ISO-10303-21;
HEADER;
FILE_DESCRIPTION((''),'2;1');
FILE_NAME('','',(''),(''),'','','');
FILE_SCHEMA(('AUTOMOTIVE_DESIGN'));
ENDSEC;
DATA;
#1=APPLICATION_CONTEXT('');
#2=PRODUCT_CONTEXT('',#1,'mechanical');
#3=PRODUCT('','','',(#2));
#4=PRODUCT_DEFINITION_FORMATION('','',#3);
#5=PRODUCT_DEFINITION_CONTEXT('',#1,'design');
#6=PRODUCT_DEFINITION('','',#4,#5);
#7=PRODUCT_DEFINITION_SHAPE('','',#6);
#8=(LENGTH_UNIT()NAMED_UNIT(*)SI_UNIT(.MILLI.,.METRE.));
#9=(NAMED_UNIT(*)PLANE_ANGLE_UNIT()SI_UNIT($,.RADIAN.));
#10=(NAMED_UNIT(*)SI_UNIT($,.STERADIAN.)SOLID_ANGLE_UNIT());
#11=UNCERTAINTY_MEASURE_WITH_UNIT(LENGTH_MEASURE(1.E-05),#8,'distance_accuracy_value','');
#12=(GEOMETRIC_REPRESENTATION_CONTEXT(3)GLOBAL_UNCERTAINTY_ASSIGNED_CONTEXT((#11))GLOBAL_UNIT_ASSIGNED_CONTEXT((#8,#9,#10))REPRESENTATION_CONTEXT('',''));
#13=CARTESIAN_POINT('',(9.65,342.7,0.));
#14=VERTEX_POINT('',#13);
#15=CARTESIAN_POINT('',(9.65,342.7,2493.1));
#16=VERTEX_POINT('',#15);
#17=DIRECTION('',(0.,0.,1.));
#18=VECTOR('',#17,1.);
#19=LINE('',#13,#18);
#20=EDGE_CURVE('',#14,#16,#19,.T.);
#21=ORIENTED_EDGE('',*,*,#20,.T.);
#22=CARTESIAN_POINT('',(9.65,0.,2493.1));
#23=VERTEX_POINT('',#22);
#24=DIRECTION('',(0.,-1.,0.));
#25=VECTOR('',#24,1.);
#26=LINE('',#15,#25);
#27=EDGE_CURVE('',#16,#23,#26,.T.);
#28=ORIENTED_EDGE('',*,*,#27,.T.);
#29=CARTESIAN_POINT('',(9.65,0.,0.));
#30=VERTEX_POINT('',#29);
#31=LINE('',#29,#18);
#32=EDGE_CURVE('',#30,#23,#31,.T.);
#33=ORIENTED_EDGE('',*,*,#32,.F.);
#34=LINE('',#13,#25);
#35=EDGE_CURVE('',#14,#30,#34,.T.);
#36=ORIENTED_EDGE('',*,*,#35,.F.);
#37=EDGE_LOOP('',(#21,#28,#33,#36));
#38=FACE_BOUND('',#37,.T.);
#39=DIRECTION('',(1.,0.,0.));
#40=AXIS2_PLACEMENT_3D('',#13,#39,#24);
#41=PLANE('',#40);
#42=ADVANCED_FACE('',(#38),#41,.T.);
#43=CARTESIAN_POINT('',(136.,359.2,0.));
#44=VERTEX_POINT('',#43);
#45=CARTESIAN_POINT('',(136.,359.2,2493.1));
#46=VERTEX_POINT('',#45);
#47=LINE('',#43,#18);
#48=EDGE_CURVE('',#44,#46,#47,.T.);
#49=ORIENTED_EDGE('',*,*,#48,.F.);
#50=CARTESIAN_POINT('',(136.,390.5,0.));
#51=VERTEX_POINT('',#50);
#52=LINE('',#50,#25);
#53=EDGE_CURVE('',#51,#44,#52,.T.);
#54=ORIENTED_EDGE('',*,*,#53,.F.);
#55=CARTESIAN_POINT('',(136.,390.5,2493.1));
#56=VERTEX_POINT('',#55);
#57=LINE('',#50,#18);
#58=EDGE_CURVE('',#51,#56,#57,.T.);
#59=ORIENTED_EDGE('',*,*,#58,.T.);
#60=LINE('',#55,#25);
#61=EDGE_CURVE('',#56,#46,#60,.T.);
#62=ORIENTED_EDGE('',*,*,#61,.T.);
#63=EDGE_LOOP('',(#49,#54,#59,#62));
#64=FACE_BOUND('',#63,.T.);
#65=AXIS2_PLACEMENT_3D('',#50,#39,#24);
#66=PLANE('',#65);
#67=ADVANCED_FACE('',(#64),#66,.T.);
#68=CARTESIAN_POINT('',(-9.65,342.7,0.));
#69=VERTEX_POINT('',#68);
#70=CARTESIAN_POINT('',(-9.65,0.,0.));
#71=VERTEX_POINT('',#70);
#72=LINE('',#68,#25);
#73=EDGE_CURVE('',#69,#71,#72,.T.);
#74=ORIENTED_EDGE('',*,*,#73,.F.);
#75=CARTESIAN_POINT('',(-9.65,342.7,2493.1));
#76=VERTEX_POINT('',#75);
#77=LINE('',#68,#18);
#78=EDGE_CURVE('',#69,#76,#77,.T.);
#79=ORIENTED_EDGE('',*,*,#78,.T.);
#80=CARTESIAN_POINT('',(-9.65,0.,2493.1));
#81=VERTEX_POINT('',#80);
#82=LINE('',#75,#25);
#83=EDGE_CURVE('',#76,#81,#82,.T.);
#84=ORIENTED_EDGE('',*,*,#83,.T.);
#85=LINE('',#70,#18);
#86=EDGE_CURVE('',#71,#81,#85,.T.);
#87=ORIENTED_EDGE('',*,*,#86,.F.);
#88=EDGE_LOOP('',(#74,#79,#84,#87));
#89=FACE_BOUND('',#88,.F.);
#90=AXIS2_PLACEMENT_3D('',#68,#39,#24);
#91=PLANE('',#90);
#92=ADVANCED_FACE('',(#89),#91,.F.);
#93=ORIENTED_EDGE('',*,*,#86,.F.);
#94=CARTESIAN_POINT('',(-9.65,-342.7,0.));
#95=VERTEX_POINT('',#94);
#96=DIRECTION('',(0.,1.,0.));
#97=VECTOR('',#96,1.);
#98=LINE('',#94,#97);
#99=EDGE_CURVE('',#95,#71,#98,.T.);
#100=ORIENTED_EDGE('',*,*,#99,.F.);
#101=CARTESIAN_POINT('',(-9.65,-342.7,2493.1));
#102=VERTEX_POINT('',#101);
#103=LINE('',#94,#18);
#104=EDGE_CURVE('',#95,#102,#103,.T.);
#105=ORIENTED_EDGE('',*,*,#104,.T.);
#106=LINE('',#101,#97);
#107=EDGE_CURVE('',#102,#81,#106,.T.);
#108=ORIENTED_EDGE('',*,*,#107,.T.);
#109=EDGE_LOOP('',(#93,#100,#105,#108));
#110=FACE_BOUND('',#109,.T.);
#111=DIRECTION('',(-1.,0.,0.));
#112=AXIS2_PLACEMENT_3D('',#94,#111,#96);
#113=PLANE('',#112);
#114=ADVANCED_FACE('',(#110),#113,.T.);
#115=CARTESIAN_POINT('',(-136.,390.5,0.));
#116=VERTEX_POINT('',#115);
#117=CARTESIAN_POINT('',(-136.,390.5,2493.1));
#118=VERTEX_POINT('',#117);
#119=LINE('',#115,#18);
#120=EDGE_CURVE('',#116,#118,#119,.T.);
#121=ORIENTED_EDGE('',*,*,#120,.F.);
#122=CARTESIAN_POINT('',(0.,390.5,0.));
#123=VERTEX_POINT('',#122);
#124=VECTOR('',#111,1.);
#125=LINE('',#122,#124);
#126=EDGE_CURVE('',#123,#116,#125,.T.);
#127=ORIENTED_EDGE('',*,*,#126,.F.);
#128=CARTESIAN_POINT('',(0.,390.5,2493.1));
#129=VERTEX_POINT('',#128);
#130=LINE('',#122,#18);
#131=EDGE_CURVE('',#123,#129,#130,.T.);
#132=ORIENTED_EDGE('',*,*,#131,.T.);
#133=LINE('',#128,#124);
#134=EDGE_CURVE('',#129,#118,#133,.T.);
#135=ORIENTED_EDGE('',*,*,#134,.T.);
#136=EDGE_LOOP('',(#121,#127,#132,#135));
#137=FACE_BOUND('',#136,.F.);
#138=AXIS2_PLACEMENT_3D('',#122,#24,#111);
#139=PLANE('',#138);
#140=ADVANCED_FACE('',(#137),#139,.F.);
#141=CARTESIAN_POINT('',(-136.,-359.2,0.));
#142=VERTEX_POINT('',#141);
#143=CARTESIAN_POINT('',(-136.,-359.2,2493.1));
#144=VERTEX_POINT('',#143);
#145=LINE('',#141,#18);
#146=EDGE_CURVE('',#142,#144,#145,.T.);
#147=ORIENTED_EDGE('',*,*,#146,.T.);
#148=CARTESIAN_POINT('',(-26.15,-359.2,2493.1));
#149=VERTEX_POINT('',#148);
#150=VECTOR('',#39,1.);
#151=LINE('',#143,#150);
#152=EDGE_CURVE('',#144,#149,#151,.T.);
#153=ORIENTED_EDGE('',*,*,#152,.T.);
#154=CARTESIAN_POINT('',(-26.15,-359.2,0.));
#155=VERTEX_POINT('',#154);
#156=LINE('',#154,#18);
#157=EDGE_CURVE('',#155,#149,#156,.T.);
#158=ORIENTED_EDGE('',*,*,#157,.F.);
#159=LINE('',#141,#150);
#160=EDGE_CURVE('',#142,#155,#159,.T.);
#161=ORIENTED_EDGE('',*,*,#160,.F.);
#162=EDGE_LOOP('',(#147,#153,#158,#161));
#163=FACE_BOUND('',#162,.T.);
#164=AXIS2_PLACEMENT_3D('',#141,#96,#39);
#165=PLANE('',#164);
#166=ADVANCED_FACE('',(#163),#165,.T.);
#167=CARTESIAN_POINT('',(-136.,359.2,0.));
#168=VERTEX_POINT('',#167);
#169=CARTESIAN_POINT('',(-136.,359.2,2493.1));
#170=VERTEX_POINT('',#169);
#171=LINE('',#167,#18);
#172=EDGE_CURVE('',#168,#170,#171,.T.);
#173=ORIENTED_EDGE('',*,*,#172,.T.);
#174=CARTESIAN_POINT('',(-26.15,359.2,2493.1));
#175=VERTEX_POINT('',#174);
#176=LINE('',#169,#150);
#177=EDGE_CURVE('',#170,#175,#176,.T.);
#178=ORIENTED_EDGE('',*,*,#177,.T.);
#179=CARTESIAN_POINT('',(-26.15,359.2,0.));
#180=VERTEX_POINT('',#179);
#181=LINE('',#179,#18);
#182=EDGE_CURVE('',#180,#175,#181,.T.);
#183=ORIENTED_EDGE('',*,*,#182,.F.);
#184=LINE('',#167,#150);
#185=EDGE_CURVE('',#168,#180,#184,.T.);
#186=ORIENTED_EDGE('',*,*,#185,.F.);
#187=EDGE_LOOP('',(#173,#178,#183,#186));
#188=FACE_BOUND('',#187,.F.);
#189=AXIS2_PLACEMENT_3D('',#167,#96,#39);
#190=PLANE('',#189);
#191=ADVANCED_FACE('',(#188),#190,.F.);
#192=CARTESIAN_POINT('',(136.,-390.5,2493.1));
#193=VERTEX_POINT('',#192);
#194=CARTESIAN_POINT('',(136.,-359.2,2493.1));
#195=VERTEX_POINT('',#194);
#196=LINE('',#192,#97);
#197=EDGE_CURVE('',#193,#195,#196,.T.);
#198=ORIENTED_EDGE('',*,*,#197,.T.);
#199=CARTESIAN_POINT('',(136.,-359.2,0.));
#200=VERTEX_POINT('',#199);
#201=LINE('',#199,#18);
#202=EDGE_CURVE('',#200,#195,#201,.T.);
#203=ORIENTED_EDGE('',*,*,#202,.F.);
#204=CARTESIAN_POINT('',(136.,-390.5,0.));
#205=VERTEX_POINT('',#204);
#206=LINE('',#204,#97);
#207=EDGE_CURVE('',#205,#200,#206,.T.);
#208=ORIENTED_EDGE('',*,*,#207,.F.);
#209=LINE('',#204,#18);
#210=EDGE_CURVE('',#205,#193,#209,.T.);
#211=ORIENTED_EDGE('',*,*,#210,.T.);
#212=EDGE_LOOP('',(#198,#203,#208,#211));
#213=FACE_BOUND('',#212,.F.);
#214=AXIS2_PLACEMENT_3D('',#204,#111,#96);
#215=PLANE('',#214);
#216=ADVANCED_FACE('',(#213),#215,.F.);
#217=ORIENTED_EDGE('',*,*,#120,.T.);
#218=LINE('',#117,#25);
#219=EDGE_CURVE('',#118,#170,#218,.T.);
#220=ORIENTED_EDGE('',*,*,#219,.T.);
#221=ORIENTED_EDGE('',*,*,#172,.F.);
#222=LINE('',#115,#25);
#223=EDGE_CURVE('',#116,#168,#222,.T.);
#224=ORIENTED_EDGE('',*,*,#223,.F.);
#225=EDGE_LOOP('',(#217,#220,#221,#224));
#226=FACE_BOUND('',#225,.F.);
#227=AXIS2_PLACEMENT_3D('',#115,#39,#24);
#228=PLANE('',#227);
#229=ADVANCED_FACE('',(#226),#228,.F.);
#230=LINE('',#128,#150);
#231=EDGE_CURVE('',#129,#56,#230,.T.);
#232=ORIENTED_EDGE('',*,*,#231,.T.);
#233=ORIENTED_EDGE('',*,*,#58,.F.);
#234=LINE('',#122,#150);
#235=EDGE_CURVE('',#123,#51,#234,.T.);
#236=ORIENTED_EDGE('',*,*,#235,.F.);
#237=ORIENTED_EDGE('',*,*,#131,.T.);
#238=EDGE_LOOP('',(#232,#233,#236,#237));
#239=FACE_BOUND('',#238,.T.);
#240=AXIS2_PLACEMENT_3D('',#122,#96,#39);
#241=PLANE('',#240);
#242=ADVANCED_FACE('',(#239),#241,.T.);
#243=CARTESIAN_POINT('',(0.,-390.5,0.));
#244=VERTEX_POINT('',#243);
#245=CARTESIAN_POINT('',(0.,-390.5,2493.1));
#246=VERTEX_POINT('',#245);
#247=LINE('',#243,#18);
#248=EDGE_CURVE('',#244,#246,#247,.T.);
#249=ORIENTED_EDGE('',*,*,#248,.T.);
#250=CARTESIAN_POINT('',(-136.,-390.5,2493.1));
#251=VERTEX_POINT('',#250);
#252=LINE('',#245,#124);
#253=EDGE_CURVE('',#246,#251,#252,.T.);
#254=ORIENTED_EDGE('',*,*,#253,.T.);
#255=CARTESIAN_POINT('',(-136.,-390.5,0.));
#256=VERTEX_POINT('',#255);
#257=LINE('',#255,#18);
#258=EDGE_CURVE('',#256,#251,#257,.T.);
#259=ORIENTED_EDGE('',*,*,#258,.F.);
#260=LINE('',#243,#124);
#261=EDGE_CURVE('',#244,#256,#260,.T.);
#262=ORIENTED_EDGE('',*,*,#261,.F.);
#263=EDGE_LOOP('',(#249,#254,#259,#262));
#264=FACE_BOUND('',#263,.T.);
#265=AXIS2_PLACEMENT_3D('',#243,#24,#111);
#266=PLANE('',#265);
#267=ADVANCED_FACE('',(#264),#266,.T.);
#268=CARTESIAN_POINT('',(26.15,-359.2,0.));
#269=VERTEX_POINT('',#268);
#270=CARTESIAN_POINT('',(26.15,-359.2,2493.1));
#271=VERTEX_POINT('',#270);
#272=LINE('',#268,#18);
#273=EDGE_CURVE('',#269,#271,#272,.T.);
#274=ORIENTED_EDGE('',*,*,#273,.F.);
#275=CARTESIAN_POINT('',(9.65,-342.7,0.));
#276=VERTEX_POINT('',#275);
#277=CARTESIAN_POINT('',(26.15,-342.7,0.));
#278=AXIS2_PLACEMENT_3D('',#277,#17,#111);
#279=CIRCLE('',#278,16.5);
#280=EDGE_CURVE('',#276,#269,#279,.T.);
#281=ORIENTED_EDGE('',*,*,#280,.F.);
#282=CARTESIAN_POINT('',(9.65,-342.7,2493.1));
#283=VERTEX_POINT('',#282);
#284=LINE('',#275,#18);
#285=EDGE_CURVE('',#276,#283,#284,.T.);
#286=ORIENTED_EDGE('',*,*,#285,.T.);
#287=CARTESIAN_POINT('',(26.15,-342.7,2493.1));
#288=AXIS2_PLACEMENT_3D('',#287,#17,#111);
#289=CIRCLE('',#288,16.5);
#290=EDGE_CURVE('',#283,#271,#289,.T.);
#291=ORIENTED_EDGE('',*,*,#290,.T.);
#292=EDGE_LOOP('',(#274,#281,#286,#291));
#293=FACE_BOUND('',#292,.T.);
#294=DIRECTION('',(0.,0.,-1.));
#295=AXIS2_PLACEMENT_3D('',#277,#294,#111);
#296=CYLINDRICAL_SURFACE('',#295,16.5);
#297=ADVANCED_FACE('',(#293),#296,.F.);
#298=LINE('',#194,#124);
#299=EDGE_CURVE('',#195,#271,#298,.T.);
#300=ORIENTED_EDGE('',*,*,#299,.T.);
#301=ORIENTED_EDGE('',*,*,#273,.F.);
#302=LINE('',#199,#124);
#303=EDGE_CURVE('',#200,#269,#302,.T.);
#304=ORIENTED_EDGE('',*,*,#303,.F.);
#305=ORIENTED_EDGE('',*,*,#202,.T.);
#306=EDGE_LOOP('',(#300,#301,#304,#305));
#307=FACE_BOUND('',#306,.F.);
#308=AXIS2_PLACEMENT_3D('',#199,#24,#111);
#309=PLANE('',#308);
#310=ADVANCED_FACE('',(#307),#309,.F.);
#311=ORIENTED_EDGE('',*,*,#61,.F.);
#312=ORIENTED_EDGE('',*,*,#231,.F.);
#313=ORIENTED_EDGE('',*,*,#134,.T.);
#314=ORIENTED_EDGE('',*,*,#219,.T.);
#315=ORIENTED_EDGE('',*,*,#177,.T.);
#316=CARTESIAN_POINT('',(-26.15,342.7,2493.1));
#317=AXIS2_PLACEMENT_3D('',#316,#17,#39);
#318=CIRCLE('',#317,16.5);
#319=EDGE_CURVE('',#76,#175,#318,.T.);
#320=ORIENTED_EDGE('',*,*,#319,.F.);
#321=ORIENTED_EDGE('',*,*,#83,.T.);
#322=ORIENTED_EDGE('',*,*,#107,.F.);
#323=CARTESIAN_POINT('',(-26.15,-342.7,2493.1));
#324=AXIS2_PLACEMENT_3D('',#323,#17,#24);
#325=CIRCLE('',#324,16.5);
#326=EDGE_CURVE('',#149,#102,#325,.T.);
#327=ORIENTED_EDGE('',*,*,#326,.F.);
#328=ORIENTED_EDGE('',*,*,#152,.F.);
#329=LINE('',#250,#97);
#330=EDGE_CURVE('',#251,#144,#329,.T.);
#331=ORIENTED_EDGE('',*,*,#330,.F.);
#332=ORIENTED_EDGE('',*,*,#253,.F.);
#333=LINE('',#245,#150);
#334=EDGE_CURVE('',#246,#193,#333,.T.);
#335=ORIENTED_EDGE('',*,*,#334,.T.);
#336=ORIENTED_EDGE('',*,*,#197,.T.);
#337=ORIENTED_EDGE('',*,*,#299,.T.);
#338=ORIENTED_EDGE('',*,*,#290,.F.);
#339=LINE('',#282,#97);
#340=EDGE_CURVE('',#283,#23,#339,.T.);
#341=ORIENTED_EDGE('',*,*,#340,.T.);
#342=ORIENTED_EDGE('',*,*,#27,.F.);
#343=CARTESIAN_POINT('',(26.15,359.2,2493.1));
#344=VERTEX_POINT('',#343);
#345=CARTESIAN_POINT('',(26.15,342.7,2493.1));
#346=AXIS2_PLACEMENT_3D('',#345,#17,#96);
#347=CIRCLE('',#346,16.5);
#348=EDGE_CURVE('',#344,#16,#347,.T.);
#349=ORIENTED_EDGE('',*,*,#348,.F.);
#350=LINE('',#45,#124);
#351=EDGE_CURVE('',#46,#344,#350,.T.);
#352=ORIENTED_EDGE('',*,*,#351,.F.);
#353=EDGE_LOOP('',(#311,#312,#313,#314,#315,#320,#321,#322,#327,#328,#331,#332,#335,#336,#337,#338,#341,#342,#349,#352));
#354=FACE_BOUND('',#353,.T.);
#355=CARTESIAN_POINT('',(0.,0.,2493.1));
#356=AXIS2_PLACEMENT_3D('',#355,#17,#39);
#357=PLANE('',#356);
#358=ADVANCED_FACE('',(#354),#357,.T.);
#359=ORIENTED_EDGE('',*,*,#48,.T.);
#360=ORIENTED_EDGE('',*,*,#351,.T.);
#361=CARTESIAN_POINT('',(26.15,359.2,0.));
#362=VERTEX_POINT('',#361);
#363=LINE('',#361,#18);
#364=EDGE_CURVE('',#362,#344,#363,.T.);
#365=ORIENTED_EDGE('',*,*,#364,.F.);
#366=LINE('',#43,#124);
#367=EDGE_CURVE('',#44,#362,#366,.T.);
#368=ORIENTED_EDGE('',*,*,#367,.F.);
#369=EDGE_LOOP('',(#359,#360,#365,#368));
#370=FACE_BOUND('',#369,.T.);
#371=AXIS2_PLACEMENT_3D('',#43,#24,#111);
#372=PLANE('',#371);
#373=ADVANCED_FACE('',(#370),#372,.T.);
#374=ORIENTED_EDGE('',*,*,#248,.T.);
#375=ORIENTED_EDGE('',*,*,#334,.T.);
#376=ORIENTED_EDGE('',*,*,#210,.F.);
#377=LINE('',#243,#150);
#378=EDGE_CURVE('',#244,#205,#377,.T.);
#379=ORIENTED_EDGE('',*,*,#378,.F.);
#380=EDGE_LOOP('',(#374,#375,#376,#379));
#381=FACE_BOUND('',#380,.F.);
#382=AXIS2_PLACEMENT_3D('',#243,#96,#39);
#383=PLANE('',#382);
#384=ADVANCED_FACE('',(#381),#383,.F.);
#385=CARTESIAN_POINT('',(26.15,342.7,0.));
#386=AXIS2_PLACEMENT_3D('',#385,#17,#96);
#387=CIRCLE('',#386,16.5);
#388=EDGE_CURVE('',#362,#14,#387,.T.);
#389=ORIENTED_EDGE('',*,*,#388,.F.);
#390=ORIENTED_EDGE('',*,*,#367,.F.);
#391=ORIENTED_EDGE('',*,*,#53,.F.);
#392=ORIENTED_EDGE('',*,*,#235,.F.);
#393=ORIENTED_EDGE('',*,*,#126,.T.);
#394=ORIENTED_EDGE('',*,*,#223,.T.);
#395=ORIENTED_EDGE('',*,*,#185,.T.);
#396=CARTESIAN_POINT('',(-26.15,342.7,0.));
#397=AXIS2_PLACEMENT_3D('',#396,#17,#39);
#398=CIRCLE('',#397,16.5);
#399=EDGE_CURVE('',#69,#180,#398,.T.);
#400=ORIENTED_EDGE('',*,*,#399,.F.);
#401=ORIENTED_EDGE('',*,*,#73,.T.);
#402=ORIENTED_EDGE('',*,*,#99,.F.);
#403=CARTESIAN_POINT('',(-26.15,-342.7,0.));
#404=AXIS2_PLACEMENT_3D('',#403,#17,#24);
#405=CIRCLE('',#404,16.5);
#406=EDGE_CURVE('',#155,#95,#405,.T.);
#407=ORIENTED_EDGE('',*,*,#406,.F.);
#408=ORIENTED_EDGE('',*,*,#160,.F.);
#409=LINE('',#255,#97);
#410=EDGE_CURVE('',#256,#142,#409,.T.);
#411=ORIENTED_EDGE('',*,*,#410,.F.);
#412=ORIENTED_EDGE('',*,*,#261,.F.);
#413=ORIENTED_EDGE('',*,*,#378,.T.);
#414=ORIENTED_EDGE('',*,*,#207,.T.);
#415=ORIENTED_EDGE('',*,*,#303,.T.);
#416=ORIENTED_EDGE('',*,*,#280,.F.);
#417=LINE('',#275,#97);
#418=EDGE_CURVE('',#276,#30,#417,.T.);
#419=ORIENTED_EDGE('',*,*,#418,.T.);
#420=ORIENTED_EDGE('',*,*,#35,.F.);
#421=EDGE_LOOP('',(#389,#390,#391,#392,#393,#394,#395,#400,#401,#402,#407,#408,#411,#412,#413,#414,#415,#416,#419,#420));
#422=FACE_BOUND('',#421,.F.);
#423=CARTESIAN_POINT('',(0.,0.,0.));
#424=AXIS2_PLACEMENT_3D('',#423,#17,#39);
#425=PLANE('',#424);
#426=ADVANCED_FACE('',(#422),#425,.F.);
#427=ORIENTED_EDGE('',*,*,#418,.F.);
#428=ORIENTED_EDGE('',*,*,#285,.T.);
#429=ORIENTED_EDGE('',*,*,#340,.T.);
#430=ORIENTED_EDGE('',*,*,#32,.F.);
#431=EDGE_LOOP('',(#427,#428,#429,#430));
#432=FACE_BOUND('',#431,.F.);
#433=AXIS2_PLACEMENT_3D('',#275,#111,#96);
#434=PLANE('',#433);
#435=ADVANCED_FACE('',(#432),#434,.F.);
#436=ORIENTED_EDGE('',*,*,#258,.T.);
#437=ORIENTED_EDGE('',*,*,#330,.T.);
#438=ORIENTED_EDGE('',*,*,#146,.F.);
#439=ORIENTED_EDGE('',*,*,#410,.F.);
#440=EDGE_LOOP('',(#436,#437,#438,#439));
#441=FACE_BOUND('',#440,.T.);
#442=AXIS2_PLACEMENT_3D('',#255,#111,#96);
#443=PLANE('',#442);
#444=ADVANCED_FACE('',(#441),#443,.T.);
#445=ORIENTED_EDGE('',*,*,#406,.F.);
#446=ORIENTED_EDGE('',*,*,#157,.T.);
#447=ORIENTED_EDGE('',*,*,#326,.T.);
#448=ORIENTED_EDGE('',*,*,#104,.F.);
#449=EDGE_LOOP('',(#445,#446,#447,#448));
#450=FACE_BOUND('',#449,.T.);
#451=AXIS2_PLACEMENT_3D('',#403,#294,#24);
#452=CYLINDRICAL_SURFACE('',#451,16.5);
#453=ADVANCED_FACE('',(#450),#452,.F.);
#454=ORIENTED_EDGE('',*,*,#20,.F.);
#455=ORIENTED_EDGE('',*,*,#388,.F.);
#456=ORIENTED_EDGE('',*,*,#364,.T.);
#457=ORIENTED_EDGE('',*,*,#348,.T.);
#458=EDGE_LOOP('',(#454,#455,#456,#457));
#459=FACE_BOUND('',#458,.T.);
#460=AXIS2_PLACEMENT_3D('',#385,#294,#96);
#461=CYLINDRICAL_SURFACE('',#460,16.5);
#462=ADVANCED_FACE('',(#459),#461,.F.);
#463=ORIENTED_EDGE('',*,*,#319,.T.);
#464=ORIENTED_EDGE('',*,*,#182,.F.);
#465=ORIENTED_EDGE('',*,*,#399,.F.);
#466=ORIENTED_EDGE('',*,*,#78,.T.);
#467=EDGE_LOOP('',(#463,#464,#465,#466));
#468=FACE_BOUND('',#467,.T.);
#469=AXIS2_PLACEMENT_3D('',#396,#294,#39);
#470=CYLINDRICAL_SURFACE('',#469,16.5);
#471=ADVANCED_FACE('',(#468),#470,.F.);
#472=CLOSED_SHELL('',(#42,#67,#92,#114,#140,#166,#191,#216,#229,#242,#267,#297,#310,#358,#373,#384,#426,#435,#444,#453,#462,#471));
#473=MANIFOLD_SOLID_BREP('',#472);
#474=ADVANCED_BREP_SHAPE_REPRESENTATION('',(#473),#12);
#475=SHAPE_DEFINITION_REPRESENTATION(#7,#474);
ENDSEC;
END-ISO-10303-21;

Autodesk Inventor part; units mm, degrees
ref_plane "YZ Plane" through (0, 0, 0) normal (1, 0, 0) x (0, 1, 0)
ref_plane "Start plane" through (0, 0, 0) normal (0, 0, 1) x (1, 0, 0)
ref_plane "End plane" through (0, 0, 2493.1) normal (0, 0, 1) x (1, 0, 0)
sketch "Sketch" plane through (0, 0, 0) normal (0, 0, 1) x (1, 0, 0)
  line L0 (-136, -390.5) -> (-136, -359.2)
  line L1 (-136, -359.2) -> (-26.15, -359.2)
  line L2 (-9.65, -342.7) -> (-9.65, 0)
  line L3 (-9.65, 0) -> (0, 0) construction
  line L4 (0, 0) -> (0, -390.5) construction
  line L5 (0, -390.5) -> (-136, -390.5)
  line L6 (-60, 0) -> (80, 0) construction
  line L7 (0, -60) -> (0, 80) construction
  line L8 (136, -390.5) -> (136, -359.2)
  line L9 (136, -359.2) -> (26.15, -359.2)
  line L10 (9.65, -342.7) -> (9.65, 0)
  line L11 (9.65, 0) -> (0, 0) construction
  line L12 (0, -390.5) -> (136, -390.5)
  line L13 (-136, 390.5) -> (-136, 359.2)
  line L14 (-136, 359.2) -> (-26.15, 359.2)
  line L15 (-9.65, 342.7) -> (-9.65, 0)
  line L16 (0, 390.5) -> (-136, 390.5)
  line L17 (136, 390.5) -> (136, 359.2)
  line L18 (136, 359.2) -> (26.15, 359.2)
  line L19 (0, 390.5) -> (136, 390.5)
  line L20 (9.65, 342.7) -> (9.65, 0)
  arc A0 (-9.65, 342.7) -> (-26.15, 359.2) centre (-26.15, 342.7) ccw
  arc A1 (26.15, 359.2) -> (9.65, 342.7) centre (26.15, 342.7) ccw
  arc A2 (9.65, -342.7) -> (26.15, -359.2) centre (26.15, -342.7) ccw
  arc A3 (-26.15, -359.2) -> (-9.65, -342.7) centre (-26.15, -342.7) ccw
  line L21 (0, 108) -> (0, -88) construction
  line L22 (-88, 0) -> (108, 0) construction
  point P0 (-9.65, -359.2)
  point P1 (9.65, -359.2)
  point P2 (-9.65, 359.2)
  point P3 (9.65, 359.2)
  dimension "d1" = 390.5
  dimension "d2" = 31.3
  dimension "d3" = 136
  dimension "d4" = 9.65
  dimension "d10" = 16.5
extrude "Body" add sketch "Sketch" along normal up to surface (2493.1 mm away) from surface at 0
sketch "Sketch4" plane through (0, 0, 0) normal (0, 0, 1) x (1, 0, 0)
  line L0 (0, 0) -> (10, 0)
ref_plane "Work Plane3" through (0, 0, 0) normal (0, -1, 0) x (1, 0, 0)
sketch "Sketch5" plane through (0, 0, 0) normal (0, -1, 0) x (1, 0, 0)
  line L0 (-2, 0) -> (12, 0) projected
  line L1 (-2, 2493.1) -> (12, 2493.1) projected
  dimension "d14" = 2493.1
equation "\"d1\" = 0.5 * G_H"
equation "\"d2\" = G_T1"
equation "\"d3\" = 0.5 * G_W"
equation "\"d4\" = 0.5 * G_T"
equation "\"d10\" = G_IR"
equation "\"d5\" = G_L"
equation "\"G_W\" = 272"
equation "\"G_H\" = 781"
equation "\"G_T\" = 19.3"
equation "\"G_T1\" = 31.3"
equation "\"G_IR\" = 16.5"
equation "\"G_L\" = d14"
equation "\"G_OFFSET_START\" = 0"
equation "\"G_OFFSET_END\" = 0"
equation "\"d12\" = G_OFFSET_END + B_L"
equation "\"B_L\" = 2493.1"
properties part number "AS 3679-1990 - 760 UB - 244 - 2493.1" material "Steel, Mild"
